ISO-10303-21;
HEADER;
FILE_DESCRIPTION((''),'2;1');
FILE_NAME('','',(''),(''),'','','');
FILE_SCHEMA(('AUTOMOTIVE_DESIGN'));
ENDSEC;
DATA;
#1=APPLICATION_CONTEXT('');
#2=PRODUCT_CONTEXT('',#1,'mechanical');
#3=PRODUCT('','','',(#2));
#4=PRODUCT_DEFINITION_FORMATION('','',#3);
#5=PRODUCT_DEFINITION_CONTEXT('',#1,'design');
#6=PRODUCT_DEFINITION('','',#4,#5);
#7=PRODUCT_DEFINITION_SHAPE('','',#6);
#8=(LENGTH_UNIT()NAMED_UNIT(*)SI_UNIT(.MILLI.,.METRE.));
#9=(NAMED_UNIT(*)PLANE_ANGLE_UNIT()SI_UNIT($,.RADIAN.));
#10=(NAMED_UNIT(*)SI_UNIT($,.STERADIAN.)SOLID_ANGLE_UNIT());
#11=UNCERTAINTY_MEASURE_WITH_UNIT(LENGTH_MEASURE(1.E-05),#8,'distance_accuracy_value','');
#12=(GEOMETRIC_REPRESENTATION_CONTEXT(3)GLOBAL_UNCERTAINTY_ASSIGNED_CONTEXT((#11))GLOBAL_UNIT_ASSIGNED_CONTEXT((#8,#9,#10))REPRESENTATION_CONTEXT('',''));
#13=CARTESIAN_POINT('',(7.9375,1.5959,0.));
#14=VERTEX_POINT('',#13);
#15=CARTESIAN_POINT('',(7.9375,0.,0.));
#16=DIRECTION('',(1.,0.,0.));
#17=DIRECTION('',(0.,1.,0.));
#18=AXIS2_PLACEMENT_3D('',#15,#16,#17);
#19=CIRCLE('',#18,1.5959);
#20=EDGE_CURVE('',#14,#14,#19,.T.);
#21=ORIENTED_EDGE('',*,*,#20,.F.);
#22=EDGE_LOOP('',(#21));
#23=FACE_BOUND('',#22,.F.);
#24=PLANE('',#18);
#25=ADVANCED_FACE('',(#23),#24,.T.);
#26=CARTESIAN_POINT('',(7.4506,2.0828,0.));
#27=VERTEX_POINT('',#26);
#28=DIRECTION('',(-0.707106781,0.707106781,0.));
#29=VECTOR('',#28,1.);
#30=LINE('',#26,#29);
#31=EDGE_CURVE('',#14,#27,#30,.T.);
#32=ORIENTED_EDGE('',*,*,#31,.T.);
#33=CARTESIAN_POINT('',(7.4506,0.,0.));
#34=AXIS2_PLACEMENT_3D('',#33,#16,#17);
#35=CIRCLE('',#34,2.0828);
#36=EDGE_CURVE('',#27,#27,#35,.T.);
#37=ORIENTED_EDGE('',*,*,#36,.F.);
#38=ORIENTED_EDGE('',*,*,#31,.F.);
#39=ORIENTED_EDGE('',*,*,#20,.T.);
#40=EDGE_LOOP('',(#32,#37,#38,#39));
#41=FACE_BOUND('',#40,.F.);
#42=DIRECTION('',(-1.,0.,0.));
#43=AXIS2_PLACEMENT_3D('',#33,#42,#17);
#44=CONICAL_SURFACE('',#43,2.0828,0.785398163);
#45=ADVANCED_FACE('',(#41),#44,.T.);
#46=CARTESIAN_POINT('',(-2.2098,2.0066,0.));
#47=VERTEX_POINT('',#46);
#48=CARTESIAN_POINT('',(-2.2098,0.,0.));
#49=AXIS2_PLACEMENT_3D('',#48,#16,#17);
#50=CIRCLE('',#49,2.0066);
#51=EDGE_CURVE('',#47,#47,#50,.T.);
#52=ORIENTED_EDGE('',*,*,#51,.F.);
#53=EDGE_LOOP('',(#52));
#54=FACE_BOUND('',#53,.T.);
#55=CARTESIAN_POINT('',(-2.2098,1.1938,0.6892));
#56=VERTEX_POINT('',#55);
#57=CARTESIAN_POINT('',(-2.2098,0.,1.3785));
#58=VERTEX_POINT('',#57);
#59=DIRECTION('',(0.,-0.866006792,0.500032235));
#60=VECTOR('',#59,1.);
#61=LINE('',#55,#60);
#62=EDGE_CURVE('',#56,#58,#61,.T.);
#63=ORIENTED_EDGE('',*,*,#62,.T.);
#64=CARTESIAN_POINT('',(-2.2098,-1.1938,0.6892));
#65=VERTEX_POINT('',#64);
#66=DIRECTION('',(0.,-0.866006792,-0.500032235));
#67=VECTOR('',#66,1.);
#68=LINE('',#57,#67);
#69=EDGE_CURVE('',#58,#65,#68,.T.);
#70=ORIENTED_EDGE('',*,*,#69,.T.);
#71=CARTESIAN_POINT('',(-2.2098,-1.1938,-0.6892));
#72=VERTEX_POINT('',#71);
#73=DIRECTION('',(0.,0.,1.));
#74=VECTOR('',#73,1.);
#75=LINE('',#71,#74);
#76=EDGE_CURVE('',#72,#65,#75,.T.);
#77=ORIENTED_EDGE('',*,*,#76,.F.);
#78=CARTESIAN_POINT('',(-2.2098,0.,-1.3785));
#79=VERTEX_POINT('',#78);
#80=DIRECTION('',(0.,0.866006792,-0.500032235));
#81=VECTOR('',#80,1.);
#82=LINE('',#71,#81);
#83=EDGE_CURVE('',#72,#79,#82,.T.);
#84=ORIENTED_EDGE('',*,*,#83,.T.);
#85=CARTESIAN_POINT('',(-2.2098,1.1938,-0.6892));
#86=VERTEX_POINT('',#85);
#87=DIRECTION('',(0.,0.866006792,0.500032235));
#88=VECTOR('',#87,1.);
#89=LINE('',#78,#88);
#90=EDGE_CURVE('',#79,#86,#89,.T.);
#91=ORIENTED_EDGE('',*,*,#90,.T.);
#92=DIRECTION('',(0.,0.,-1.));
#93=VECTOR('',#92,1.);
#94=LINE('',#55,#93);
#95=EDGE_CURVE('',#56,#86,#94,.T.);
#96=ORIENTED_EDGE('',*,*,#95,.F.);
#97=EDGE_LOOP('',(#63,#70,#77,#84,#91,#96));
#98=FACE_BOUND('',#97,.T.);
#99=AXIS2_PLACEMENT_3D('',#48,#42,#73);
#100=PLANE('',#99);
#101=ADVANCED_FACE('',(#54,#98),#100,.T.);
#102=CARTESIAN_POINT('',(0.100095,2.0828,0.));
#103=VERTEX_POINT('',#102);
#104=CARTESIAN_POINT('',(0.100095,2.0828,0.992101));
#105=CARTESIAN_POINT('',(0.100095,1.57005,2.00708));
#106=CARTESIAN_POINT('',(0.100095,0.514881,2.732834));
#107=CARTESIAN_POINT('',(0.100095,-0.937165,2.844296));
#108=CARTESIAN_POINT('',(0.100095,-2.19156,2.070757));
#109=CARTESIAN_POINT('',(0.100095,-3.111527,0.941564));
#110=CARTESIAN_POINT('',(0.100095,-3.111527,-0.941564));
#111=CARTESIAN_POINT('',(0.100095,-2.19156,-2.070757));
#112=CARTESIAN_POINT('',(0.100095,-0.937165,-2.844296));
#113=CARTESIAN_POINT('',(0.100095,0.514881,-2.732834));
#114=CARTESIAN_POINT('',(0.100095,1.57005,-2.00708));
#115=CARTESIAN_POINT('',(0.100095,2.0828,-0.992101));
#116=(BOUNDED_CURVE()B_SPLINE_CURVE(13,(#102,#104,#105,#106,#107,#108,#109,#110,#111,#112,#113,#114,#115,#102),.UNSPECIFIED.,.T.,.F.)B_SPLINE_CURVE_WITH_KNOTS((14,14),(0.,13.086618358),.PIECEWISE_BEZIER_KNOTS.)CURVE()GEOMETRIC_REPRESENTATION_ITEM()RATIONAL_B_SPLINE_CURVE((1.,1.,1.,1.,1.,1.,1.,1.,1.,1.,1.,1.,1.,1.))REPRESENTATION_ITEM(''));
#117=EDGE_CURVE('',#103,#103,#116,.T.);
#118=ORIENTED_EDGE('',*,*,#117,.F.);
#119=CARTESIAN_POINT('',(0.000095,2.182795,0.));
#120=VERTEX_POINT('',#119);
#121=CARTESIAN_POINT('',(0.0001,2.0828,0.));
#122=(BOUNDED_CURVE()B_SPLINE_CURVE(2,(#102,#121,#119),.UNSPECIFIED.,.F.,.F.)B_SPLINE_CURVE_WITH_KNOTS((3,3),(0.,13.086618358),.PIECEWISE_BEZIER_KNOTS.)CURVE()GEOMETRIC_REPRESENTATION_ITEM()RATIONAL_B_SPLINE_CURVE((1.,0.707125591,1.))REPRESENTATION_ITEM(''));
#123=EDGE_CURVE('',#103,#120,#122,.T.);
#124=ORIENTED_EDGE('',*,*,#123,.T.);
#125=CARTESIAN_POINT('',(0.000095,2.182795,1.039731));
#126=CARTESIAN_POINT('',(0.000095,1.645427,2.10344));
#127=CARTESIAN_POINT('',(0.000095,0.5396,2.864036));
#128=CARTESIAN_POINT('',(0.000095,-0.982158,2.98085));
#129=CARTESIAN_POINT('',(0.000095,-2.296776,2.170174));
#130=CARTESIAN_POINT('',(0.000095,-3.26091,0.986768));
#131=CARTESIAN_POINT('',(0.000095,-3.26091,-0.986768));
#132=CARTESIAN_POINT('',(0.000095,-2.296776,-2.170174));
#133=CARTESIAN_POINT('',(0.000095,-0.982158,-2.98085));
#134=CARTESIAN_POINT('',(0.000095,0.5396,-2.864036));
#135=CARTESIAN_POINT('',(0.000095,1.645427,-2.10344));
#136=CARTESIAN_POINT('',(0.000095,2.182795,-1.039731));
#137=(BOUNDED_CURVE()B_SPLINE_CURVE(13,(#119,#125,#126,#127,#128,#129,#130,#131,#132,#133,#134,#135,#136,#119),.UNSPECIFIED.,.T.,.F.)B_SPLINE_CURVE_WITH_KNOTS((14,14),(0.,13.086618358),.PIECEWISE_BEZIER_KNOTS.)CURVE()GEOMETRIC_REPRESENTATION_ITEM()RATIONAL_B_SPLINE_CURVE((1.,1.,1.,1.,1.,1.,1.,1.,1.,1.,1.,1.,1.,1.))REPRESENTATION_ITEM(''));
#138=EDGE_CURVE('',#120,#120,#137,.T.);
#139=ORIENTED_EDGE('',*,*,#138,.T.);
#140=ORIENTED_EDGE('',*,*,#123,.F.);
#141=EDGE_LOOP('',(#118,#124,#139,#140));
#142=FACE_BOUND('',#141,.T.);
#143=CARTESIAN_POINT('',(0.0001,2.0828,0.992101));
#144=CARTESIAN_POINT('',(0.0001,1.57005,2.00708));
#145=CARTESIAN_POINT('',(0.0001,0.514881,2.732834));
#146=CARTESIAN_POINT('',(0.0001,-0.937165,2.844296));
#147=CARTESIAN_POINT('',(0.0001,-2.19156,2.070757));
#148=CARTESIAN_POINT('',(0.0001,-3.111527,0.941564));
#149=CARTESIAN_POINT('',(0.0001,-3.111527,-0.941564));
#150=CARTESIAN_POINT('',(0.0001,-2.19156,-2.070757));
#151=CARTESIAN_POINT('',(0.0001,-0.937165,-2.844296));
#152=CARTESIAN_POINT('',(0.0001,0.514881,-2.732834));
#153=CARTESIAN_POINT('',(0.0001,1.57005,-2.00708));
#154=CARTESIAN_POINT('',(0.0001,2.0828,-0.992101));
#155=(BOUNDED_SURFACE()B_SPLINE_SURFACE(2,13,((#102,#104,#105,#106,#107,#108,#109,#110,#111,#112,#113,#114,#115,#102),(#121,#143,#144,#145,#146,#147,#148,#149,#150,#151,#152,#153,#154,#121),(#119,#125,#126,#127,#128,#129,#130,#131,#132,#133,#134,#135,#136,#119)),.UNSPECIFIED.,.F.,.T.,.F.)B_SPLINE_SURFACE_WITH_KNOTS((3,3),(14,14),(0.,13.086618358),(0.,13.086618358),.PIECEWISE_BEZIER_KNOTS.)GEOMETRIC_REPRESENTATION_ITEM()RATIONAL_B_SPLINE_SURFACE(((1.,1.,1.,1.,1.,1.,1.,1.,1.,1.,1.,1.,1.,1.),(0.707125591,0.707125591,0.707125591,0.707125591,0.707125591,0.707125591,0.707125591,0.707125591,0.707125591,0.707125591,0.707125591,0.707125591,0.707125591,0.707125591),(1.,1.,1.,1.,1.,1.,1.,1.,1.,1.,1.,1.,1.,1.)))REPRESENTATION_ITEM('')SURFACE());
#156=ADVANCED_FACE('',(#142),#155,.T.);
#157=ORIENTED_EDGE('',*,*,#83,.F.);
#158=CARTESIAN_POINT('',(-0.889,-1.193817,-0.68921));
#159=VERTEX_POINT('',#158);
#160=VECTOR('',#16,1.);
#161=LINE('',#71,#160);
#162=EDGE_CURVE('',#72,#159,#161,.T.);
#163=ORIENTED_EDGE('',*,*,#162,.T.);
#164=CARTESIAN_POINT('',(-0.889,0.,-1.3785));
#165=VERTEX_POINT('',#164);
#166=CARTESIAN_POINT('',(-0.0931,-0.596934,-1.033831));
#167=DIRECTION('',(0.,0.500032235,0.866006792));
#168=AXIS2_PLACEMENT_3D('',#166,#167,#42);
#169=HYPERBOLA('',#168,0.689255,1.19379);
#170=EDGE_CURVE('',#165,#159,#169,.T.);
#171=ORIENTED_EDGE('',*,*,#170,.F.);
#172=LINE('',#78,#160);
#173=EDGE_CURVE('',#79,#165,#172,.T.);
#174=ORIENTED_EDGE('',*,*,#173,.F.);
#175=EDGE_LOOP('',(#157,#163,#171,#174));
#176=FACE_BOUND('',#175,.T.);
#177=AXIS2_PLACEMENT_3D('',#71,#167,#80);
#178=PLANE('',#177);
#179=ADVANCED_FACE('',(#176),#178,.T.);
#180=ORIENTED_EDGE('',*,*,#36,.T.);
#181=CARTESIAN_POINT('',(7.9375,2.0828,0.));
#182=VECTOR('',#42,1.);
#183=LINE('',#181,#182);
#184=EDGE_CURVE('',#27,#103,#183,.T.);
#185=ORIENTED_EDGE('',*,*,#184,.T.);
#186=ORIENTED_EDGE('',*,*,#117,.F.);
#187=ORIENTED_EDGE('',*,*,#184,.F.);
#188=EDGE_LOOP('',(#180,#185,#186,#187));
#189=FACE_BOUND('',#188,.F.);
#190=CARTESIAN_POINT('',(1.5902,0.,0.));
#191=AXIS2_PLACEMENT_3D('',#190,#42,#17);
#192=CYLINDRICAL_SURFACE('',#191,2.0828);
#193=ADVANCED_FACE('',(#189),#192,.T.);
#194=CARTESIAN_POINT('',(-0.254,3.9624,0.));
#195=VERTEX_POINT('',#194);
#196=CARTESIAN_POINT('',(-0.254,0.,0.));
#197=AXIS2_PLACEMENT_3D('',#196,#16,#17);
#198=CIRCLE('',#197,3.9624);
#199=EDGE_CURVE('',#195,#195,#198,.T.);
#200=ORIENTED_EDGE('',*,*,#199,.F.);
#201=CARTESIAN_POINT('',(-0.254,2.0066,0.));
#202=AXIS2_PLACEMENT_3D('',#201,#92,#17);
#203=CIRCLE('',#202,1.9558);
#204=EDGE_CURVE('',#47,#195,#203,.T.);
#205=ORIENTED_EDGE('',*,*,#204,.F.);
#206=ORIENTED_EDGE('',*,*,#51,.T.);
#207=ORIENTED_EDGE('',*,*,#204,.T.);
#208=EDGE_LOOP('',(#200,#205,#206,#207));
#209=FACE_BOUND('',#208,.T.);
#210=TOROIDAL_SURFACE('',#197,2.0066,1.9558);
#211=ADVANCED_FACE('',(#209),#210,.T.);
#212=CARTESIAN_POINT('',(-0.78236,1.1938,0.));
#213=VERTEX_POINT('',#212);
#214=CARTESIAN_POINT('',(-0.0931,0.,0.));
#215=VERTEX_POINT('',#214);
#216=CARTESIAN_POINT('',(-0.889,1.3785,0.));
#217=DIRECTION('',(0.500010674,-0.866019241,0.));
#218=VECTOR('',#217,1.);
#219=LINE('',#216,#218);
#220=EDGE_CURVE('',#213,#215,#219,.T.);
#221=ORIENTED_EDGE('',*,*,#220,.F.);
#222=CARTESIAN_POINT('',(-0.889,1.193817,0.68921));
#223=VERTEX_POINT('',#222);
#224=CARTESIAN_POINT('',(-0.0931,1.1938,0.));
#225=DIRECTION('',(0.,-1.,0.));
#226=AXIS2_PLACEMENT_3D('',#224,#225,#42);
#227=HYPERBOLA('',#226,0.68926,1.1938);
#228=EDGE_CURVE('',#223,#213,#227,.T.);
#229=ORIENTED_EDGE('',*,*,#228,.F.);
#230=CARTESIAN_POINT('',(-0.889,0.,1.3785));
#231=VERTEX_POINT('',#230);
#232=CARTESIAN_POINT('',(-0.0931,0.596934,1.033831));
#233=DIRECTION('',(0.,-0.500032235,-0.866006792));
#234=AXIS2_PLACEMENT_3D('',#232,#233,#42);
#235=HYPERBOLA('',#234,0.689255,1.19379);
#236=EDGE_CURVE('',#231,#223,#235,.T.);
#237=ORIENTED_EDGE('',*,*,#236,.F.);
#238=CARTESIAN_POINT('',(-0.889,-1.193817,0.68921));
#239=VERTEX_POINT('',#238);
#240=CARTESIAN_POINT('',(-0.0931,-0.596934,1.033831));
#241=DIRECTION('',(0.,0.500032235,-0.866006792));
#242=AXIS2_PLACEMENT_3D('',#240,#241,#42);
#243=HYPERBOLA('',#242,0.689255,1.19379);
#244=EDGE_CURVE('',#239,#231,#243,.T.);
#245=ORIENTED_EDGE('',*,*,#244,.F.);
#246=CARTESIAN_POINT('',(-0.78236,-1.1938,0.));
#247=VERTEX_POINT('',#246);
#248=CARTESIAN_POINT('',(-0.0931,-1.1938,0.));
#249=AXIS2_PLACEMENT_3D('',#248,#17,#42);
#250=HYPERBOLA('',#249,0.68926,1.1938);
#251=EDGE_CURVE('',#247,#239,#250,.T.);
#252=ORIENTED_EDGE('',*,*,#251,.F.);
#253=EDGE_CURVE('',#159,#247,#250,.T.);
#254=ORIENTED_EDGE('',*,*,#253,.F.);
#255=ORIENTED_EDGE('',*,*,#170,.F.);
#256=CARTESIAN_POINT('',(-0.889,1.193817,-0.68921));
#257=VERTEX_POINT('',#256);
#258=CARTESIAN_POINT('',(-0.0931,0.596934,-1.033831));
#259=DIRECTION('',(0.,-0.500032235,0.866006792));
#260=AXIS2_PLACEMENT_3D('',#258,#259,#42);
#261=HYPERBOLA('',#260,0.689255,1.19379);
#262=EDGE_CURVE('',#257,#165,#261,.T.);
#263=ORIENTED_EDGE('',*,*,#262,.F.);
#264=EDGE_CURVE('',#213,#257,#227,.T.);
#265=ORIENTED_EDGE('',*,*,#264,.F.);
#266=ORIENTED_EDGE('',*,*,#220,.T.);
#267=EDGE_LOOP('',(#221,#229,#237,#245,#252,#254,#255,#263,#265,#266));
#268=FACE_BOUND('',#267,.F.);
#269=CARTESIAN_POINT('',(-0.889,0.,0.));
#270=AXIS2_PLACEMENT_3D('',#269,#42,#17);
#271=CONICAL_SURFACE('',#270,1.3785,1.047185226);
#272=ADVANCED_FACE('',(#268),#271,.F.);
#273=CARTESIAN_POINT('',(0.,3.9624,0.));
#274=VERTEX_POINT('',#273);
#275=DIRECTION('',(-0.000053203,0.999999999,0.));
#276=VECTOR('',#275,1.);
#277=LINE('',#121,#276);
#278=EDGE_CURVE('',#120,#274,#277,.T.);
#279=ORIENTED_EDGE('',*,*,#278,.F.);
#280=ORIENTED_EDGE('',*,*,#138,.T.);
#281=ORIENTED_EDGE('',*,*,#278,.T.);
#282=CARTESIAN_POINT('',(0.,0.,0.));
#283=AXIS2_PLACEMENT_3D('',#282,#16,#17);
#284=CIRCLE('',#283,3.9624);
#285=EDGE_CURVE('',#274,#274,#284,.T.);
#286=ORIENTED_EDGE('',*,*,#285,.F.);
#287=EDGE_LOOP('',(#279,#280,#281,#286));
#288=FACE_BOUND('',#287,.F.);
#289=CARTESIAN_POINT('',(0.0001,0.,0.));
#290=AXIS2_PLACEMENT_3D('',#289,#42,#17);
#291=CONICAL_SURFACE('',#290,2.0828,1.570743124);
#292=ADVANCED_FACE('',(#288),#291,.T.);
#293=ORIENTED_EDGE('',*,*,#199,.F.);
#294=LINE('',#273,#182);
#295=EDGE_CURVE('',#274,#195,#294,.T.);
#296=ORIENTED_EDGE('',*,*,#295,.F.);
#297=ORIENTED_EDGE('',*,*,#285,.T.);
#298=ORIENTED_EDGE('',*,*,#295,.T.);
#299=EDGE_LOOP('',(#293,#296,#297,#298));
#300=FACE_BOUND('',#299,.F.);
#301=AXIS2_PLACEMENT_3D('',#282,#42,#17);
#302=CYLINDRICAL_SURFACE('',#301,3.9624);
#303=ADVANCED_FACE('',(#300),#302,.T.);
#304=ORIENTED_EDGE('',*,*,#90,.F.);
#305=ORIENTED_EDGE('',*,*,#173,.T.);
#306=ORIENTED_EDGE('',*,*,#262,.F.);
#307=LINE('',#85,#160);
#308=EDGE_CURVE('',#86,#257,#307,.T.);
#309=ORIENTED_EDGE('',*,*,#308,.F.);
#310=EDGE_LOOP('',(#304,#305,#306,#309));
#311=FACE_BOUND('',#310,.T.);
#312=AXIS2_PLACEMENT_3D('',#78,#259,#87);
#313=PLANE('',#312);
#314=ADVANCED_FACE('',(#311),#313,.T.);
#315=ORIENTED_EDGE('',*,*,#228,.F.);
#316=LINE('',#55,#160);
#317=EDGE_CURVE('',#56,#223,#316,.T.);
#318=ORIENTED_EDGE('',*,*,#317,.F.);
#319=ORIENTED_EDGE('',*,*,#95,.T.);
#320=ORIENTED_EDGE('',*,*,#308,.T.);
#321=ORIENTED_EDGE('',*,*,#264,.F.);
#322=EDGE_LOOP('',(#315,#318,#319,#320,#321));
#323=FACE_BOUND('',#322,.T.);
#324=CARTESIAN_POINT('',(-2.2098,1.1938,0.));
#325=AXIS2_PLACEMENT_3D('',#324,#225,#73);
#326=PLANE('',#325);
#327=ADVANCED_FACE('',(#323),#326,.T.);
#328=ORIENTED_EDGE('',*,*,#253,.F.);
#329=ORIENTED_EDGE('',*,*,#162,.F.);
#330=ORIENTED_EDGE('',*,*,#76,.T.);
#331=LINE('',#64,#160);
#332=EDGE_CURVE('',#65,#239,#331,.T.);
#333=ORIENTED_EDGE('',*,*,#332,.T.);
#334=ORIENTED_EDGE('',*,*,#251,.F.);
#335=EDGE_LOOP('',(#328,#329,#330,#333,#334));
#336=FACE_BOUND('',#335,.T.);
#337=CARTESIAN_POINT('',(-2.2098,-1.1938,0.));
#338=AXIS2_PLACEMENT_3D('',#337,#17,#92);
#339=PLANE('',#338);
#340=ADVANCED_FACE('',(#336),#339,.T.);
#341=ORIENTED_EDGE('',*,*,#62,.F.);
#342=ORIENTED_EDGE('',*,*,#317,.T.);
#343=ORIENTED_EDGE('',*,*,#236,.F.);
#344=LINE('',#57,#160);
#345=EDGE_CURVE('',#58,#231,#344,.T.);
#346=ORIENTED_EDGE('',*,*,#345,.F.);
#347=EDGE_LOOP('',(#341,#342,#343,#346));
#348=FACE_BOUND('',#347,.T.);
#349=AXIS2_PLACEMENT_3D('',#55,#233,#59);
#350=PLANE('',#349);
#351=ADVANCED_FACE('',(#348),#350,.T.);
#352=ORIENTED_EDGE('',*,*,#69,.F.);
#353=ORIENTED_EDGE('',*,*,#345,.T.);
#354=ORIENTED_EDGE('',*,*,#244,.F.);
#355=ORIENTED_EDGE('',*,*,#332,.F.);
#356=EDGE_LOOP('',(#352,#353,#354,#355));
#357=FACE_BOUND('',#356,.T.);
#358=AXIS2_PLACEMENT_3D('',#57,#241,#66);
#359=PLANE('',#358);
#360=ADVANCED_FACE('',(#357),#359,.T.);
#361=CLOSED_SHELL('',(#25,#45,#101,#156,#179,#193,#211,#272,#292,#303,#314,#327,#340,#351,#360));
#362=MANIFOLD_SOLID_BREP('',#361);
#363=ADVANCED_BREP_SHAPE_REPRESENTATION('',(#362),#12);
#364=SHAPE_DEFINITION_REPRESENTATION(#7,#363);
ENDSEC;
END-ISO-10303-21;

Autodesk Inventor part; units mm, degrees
ref_plane "YZ Plane" through (0, 0, 0) normal (1, 0, 0) x (0, 1, 0)
ref_plane "XZ Plane" through (0, 0, 0) normal (0, 1, 0) x (-1, 0, 0)
sketch "Sketch1" plane through (0, 0, 0) normal (0, 0, 1) x (1, 0, 0)
  line L0 (-0.0931, 0) -> (7.9375, 0)
  line L1 (7.9375, 0) -> (7.9375, 2.0828)
  line L2 (7.9375, 2.0828) -> (1.5902, 2.0828)
  line L3 (1.5902, 2.0828) -> (0.0001, 2.0828)
  line L4 (0.0001, 2.0828) -> (0, 2.0828)
  line L5 (0, 2.0828) -> (0, 3.9624)
  line L6 (0, 3.9624) -> (-2.2098, 3.9624)
  line L7 (-2.2098, 3.9624) -> (-2.2098, 1.3785)
  line L8 (-2.2098, 1.3785) -> (-0.889, 1.3785)
  line L9 (-0.889, 1.3785) -> (-0.0931, 0)
  line L10 (-4.2393, 0) -> (9.967, 0) projected
  line L11 (0, -0.7925) -> (0, 4.7549) projected
  line L12 (1.5902, 2.0828) -> (0, 2.0828) construction
  dimension "d1" = 6.3473
  dimension "d2" = 1.5901
  dimension "d3" = 2.2098
  dimension "d4" = 1.3208
  dimension "d5" = 60
  dimension "d6" = 4.1656
  dimension "d7" = 4.1656
  dimension "d8" = 2.757
  dimension "d9" = 7.9248
  dimension "d26" = 7.9375
revolve "Body" add sketch "Sketch1" angle 360 about axis through (-0.0931, 0, 0) along (1, 0, 0)
sketch "Sketch2" plane through (-2.2098, 0, 0) normal (-1, 0, 0) x (0, 0, 1)
  circle A0 centre (0, 0) radius 1.3785 projected
  line L0 (0, -5.5474) -> (0, 5.5474) projected
  line L1 (-5.5474, 0) -> (5.5474, 0) projected
  line L2 (1.3785, 0) -> (0.6892, -1.1938)
  line L3 (0.6892, -1.1938) -> (-0.6892, -1.1938)
  line L4 (-0.6892, -1.1938) -> (-1.3785, 0)
  line L5 (-1.3785, 0) -> (-0.6892, 1.1938)
  line L6 (-0.6892, 1.1938) -> (0.6892, 1.1938)
  line L7 (0.6892, 1.1938) -> (1.3785, 0)
extrude "Slot" add sketch "Sketch2" against normal up to next contours L7 A0 | A0 L2 | L6 L0 A0 | A0 L0 L3 | L0 L6 A0 | A0 L3 L0 | L4 A0 | A0 L5
fillet "Fillet1" radius 1.9558 1 edges at (-2.2098, -3.9624, 0)
thread "Thread" size "8-32 UNC" class "2A" standard "ANSI Unified Screw Threads" length 6.3473
chamfer "Chamfer1" distance 0.4869 distance2 0.4869 1 edges at (7.9375, -2.0828, 0) measured on face at (7.9375, -0.0837, 0.6892)
ref_plane "Work Plane1" through (29, 0, 0) normal (0, -1, 0) x (1, 0, 0)
fillet "Fillet2" radius 0.1 1 edges at (0.0001, -2.0828, 0)
equation "\"d30\" = R"
equation "\"d17\" = RR"
equation "\"d13\" = GEL"
equation "\"d15\" = -0.5 * SPD + 0.5 * GD"
equation "\"d16\" = GUL"
equation "\"d1\" = GEL"
equation "\"d3\" = KOH"
equation "\"d4\" = INTI"
equation "\"d6\" = GD"
equation "\"d7\" = BDM"
equation "\"d8\" = 1.1547 * SW"
equation "\"d9\" = KOD"
equation "\"d26\" = NLG"
equation "\"GD\" = NND"
equation "\"NLG\" = 7.9375"
equation "\"GEL\" = 6.34726"
equation "\"KOD\" = 7.9248"
equation "\"KOH\" = 2.2098"
equation "\"INTI\" = 1.3208"
equation "\"GAL\" = 1.59004"
equation "\"GUL\" = 0.48692"
equation "\"BDM\" = NND"
equation "\"SW\" = 2.3876"
equation "\"RR\" = 1.9558"
equation "\"SPD\" = 3.19176"
equation "\"R\" = 0.1"
equation "\"TOA\" = 30deg"
equation "\"GD1\" = SPD"
equation "\"THREADDIA\" = 4.1656"
equation "\"KOH1\" = 0.381"
equation "\"NND\" = 4.1656"
equation "\"E0\" = 2.75768"
properties part number "ANSI B18.3 - 8 - 32 x 5/16" material "Steel, Mild"
